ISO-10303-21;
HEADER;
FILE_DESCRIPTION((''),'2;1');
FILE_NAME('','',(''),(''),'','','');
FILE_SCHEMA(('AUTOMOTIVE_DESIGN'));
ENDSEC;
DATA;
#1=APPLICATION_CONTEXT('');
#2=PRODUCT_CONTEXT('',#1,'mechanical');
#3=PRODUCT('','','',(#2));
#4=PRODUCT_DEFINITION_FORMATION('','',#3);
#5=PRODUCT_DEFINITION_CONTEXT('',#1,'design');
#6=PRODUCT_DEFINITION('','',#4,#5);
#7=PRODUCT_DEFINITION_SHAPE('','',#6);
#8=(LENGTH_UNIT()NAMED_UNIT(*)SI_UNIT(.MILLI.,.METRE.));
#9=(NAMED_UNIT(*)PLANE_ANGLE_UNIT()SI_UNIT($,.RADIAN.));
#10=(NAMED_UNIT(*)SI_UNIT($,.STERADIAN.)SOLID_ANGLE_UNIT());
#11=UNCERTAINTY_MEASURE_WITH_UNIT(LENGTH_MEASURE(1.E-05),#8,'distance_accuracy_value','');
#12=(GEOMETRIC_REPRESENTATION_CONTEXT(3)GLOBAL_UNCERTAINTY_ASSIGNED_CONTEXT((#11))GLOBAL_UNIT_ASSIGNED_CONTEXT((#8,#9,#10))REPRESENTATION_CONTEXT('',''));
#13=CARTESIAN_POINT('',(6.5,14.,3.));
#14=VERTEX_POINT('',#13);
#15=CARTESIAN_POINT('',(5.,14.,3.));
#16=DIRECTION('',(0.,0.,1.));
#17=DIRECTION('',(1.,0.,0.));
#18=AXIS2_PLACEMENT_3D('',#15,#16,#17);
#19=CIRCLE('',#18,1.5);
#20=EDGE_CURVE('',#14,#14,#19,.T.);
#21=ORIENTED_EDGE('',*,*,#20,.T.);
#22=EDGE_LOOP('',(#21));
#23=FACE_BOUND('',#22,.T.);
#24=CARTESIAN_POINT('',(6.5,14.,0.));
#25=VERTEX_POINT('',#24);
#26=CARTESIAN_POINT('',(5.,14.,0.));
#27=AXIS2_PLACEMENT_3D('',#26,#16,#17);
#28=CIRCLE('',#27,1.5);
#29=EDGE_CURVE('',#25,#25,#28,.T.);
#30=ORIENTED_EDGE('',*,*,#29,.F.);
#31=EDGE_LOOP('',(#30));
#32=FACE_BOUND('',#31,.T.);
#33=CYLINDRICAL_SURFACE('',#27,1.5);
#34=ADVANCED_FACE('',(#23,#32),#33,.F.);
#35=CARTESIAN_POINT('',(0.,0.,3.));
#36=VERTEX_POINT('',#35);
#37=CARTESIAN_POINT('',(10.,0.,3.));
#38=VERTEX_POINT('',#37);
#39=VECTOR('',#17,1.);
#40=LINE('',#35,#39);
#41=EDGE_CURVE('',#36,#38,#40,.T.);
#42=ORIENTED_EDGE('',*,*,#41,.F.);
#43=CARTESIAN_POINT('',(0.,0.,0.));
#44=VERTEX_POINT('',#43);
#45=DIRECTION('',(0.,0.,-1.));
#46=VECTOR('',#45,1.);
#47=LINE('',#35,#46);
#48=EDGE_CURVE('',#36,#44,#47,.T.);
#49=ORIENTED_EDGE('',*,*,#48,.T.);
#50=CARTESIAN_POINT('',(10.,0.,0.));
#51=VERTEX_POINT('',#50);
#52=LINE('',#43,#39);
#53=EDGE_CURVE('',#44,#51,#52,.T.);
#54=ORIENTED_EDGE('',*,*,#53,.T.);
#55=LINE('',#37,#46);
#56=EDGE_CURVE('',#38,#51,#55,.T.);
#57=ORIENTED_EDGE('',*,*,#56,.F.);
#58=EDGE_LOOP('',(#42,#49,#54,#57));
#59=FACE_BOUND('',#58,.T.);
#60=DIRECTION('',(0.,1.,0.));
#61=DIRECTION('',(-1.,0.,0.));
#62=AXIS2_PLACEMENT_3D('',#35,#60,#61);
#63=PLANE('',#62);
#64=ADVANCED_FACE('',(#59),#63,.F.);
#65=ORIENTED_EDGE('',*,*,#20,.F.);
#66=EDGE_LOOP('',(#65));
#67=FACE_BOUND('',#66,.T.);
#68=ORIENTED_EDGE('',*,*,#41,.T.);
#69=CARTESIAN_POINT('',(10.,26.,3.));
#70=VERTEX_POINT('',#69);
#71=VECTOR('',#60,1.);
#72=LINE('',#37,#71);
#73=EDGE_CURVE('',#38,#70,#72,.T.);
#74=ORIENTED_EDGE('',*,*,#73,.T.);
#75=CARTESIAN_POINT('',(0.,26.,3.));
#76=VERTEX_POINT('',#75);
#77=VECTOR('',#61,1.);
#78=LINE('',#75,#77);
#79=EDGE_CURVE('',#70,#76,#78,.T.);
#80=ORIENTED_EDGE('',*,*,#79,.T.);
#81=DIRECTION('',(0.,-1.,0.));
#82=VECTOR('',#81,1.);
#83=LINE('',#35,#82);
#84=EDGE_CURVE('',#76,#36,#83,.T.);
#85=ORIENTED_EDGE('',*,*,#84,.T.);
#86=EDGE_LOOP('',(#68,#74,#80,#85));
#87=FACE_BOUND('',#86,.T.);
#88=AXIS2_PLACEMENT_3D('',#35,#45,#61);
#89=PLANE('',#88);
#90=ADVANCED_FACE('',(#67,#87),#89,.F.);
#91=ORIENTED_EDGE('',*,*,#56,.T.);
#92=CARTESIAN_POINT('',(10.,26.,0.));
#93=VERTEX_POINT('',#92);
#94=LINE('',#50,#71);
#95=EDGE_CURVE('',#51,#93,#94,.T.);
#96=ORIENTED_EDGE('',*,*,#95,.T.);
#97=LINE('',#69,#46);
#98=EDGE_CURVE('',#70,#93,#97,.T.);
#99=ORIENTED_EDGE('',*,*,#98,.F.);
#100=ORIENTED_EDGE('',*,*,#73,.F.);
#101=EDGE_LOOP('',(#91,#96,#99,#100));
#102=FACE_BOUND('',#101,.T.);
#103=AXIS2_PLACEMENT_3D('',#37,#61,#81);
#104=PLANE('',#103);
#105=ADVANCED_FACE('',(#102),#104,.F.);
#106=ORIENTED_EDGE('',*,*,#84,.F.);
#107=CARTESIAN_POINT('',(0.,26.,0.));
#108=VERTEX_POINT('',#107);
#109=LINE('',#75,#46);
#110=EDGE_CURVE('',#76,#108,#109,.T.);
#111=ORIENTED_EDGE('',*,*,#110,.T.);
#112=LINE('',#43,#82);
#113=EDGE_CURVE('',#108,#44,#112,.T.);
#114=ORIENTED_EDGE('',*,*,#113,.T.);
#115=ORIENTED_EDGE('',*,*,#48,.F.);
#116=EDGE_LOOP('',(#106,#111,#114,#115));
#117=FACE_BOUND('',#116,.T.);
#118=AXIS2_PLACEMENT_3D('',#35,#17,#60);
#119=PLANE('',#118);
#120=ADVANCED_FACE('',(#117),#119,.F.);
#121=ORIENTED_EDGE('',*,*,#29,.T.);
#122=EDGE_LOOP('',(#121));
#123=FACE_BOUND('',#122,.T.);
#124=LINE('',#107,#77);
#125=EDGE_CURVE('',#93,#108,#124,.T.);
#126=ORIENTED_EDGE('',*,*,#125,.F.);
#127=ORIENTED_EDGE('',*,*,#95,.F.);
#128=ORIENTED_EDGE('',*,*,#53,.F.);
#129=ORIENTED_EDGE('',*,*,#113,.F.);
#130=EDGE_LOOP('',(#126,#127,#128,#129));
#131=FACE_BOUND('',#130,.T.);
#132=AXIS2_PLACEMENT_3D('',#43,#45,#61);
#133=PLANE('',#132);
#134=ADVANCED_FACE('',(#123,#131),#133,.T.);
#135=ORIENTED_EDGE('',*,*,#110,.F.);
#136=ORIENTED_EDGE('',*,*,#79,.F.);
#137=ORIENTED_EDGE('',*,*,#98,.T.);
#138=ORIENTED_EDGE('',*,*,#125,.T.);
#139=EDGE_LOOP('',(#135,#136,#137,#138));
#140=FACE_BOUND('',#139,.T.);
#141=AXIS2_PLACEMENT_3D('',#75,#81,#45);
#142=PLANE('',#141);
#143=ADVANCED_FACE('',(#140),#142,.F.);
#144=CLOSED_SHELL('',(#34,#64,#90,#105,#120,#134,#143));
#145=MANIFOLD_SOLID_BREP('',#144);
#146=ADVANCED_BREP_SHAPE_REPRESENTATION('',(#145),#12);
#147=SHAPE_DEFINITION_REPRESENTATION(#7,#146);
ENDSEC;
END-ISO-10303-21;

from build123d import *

# Parameters (mm, degrees)
SKETCH_1_W          = 10
SKETCH_1_H          = 26
EXTRUDE_1_DEPTH     = 3
SKETCH_2_R          = 1.5
CUT_EXTRUDE_1_DEPTH = 29.017851452


with BuildPart() as part:
    # Эскиз1 → Бобышка-Вытянуть1 (new body)
    with BuildSketch(Plane.XY):
        with Locations((5, 13)):
            Rectangle(SKETCH_1_W, SKETCH_1_H)
    extrude(amount=EXTRUDE_1_DEPTH)

    # Эскиз2 → Вырез-Вытянуть1 (cut, through all)
    with BuildSketch(Plane.XY.offset(3)):
        with Locations((5, 14)):
            Circle(SKETCH_2_R)
    extrude(amount=-CUT_EXTRUDE_1_DEPTH, mode=Mode.SUBTRACT)


solid = part.part
